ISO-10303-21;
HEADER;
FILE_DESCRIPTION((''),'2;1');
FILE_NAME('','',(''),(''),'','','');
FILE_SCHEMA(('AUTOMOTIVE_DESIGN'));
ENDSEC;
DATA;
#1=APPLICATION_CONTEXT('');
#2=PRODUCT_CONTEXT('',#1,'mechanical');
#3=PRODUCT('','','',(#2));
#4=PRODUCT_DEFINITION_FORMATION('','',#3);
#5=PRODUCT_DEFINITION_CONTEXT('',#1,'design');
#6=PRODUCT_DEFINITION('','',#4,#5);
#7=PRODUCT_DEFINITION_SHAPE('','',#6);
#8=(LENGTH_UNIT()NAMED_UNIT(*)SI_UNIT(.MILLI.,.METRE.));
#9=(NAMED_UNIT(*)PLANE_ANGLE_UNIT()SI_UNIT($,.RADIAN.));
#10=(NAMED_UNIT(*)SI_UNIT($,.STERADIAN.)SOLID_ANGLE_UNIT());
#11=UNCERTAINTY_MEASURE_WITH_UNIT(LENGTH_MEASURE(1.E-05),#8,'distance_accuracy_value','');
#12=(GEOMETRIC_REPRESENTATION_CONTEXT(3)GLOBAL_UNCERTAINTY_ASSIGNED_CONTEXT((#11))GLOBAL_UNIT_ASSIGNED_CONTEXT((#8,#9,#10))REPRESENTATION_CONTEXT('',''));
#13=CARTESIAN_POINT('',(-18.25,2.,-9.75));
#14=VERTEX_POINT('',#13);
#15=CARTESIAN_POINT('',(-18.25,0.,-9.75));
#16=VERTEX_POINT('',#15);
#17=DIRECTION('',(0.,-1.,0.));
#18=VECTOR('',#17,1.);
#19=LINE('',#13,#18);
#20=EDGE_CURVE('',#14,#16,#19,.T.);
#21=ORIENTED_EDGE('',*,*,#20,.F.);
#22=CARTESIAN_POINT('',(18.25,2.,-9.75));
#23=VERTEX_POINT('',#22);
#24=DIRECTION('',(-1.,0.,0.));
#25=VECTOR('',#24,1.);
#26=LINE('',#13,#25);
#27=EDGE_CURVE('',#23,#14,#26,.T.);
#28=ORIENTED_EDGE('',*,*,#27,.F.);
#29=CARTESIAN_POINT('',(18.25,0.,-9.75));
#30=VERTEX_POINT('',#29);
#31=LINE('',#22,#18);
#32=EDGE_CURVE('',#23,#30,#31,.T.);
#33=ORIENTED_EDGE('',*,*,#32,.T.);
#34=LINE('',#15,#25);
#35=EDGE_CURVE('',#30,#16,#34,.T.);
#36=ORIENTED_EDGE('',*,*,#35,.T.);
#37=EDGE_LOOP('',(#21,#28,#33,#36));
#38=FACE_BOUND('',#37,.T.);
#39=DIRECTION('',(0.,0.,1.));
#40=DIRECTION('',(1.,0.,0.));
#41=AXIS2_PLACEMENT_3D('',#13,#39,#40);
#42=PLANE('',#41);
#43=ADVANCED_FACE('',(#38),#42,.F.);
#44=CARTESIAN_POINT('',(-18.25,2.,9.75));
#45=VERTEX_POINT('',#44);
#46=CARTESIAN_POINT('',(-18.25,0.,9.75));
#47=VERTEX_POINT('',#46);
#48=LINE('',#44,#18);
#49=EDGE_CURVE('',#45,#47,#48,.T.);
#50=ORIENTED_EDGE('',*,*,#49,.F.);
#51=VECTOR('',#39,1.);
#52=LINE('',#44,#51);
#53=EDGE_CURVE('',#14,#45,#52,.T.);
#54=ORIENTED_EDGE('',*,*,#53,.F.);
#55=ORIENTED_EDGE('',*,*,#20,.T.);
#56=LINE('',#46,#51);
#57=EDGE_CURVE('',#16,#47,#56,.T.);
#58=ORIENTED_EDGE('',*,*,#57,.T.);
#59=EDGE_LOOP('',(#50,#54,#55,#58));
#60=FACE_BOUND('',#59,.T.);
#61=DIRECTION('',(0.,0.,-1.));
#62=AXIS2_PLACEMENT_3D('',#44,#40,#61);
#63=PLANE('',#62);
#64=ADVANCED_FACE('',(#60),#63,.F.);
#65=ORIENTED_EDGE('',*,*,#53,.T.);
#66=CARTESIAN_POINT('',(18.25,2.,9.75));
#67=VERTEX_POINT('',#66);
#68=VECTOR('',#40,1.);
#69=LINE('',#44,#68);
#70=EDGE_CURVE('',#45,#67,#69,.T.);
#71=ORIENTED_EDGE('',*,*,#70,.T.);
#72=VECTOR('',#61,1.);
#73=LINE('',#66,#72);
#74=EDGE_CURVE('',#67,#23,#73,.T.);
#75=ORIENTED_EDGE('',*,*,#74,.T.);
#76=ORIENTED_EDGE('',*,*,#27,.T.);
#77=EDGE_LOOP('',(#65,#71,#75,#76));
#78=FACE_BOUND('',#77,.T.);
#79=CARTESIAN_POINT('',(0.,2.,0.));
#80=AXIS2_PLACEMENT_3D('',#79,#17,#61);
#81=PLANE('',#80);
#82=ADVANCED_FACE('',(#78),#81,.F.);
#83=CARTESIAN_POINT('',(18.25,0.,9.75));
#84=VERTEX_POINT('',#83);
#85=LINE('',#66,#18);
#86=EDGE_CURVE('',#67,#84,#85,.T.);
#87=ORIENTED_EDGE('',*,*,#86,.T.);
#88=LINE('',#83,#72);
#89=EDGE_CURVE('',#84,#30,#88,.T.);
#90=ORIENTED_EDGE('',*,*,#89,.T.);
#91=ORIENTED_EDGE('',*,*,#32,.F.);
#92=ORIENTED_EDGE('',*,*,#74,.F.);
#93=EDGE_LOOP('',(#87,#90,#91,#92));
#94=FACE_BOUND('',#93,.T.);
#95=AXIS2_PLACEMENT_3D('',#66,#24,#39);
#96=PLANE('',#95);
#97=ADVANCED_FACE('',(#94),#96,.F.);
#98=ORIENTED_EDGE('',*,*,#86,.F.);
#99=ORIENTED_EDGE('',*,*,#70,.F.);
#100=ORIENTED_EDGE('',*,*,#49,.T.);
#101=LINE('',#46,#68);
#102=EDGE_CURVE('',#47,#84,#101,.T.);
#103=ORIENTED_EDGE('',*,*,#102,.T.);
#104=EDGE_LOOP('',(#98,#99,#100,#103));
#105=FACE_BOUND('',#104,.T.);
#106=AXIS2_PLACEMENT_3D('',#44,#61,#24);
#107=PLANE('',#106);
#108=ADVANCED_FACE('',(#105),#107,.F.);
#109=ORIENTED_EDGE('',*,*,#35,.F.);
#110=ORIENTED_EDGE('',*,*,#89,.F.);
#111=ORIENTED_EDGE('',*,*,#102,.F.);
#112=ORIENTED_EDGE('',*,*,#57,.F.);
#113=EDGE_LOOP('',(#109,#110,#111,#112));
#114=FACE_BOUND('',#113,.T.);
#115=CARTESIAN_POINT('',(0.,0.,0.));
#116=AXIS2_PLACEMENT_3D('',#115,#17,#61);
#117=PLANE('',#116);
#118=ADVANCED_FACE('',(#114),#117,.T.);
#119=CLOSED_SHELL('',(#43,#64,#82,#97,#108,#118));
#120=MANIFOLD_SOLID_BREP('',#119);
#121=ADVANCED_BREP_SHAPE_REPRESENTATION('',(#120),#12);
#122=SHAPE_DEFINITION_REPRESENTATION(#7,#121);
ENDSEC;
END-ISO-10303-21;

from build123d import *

# Parameters (mm, degrees)
ESBO_O1_W                = 36.5
ESBO_O1_H                = 19.5
RESSALTO_EXTRUS_O1_DEPTH = 2


with BuildPart() as part:
    # Esboço1 → Ressalto-extrusão1 (new body)
    with BuildSketch(Plane(origin=(0, 0, 0), x_dir=(1, 0, 0), z_dir=(0, 1, 0))):
        Rectangle(ESBO_O1_W, ESBO_O1_H)
    extrude(amount=RESSALTO_EXTRUS_O1_DEPTH)


solid = part.part
